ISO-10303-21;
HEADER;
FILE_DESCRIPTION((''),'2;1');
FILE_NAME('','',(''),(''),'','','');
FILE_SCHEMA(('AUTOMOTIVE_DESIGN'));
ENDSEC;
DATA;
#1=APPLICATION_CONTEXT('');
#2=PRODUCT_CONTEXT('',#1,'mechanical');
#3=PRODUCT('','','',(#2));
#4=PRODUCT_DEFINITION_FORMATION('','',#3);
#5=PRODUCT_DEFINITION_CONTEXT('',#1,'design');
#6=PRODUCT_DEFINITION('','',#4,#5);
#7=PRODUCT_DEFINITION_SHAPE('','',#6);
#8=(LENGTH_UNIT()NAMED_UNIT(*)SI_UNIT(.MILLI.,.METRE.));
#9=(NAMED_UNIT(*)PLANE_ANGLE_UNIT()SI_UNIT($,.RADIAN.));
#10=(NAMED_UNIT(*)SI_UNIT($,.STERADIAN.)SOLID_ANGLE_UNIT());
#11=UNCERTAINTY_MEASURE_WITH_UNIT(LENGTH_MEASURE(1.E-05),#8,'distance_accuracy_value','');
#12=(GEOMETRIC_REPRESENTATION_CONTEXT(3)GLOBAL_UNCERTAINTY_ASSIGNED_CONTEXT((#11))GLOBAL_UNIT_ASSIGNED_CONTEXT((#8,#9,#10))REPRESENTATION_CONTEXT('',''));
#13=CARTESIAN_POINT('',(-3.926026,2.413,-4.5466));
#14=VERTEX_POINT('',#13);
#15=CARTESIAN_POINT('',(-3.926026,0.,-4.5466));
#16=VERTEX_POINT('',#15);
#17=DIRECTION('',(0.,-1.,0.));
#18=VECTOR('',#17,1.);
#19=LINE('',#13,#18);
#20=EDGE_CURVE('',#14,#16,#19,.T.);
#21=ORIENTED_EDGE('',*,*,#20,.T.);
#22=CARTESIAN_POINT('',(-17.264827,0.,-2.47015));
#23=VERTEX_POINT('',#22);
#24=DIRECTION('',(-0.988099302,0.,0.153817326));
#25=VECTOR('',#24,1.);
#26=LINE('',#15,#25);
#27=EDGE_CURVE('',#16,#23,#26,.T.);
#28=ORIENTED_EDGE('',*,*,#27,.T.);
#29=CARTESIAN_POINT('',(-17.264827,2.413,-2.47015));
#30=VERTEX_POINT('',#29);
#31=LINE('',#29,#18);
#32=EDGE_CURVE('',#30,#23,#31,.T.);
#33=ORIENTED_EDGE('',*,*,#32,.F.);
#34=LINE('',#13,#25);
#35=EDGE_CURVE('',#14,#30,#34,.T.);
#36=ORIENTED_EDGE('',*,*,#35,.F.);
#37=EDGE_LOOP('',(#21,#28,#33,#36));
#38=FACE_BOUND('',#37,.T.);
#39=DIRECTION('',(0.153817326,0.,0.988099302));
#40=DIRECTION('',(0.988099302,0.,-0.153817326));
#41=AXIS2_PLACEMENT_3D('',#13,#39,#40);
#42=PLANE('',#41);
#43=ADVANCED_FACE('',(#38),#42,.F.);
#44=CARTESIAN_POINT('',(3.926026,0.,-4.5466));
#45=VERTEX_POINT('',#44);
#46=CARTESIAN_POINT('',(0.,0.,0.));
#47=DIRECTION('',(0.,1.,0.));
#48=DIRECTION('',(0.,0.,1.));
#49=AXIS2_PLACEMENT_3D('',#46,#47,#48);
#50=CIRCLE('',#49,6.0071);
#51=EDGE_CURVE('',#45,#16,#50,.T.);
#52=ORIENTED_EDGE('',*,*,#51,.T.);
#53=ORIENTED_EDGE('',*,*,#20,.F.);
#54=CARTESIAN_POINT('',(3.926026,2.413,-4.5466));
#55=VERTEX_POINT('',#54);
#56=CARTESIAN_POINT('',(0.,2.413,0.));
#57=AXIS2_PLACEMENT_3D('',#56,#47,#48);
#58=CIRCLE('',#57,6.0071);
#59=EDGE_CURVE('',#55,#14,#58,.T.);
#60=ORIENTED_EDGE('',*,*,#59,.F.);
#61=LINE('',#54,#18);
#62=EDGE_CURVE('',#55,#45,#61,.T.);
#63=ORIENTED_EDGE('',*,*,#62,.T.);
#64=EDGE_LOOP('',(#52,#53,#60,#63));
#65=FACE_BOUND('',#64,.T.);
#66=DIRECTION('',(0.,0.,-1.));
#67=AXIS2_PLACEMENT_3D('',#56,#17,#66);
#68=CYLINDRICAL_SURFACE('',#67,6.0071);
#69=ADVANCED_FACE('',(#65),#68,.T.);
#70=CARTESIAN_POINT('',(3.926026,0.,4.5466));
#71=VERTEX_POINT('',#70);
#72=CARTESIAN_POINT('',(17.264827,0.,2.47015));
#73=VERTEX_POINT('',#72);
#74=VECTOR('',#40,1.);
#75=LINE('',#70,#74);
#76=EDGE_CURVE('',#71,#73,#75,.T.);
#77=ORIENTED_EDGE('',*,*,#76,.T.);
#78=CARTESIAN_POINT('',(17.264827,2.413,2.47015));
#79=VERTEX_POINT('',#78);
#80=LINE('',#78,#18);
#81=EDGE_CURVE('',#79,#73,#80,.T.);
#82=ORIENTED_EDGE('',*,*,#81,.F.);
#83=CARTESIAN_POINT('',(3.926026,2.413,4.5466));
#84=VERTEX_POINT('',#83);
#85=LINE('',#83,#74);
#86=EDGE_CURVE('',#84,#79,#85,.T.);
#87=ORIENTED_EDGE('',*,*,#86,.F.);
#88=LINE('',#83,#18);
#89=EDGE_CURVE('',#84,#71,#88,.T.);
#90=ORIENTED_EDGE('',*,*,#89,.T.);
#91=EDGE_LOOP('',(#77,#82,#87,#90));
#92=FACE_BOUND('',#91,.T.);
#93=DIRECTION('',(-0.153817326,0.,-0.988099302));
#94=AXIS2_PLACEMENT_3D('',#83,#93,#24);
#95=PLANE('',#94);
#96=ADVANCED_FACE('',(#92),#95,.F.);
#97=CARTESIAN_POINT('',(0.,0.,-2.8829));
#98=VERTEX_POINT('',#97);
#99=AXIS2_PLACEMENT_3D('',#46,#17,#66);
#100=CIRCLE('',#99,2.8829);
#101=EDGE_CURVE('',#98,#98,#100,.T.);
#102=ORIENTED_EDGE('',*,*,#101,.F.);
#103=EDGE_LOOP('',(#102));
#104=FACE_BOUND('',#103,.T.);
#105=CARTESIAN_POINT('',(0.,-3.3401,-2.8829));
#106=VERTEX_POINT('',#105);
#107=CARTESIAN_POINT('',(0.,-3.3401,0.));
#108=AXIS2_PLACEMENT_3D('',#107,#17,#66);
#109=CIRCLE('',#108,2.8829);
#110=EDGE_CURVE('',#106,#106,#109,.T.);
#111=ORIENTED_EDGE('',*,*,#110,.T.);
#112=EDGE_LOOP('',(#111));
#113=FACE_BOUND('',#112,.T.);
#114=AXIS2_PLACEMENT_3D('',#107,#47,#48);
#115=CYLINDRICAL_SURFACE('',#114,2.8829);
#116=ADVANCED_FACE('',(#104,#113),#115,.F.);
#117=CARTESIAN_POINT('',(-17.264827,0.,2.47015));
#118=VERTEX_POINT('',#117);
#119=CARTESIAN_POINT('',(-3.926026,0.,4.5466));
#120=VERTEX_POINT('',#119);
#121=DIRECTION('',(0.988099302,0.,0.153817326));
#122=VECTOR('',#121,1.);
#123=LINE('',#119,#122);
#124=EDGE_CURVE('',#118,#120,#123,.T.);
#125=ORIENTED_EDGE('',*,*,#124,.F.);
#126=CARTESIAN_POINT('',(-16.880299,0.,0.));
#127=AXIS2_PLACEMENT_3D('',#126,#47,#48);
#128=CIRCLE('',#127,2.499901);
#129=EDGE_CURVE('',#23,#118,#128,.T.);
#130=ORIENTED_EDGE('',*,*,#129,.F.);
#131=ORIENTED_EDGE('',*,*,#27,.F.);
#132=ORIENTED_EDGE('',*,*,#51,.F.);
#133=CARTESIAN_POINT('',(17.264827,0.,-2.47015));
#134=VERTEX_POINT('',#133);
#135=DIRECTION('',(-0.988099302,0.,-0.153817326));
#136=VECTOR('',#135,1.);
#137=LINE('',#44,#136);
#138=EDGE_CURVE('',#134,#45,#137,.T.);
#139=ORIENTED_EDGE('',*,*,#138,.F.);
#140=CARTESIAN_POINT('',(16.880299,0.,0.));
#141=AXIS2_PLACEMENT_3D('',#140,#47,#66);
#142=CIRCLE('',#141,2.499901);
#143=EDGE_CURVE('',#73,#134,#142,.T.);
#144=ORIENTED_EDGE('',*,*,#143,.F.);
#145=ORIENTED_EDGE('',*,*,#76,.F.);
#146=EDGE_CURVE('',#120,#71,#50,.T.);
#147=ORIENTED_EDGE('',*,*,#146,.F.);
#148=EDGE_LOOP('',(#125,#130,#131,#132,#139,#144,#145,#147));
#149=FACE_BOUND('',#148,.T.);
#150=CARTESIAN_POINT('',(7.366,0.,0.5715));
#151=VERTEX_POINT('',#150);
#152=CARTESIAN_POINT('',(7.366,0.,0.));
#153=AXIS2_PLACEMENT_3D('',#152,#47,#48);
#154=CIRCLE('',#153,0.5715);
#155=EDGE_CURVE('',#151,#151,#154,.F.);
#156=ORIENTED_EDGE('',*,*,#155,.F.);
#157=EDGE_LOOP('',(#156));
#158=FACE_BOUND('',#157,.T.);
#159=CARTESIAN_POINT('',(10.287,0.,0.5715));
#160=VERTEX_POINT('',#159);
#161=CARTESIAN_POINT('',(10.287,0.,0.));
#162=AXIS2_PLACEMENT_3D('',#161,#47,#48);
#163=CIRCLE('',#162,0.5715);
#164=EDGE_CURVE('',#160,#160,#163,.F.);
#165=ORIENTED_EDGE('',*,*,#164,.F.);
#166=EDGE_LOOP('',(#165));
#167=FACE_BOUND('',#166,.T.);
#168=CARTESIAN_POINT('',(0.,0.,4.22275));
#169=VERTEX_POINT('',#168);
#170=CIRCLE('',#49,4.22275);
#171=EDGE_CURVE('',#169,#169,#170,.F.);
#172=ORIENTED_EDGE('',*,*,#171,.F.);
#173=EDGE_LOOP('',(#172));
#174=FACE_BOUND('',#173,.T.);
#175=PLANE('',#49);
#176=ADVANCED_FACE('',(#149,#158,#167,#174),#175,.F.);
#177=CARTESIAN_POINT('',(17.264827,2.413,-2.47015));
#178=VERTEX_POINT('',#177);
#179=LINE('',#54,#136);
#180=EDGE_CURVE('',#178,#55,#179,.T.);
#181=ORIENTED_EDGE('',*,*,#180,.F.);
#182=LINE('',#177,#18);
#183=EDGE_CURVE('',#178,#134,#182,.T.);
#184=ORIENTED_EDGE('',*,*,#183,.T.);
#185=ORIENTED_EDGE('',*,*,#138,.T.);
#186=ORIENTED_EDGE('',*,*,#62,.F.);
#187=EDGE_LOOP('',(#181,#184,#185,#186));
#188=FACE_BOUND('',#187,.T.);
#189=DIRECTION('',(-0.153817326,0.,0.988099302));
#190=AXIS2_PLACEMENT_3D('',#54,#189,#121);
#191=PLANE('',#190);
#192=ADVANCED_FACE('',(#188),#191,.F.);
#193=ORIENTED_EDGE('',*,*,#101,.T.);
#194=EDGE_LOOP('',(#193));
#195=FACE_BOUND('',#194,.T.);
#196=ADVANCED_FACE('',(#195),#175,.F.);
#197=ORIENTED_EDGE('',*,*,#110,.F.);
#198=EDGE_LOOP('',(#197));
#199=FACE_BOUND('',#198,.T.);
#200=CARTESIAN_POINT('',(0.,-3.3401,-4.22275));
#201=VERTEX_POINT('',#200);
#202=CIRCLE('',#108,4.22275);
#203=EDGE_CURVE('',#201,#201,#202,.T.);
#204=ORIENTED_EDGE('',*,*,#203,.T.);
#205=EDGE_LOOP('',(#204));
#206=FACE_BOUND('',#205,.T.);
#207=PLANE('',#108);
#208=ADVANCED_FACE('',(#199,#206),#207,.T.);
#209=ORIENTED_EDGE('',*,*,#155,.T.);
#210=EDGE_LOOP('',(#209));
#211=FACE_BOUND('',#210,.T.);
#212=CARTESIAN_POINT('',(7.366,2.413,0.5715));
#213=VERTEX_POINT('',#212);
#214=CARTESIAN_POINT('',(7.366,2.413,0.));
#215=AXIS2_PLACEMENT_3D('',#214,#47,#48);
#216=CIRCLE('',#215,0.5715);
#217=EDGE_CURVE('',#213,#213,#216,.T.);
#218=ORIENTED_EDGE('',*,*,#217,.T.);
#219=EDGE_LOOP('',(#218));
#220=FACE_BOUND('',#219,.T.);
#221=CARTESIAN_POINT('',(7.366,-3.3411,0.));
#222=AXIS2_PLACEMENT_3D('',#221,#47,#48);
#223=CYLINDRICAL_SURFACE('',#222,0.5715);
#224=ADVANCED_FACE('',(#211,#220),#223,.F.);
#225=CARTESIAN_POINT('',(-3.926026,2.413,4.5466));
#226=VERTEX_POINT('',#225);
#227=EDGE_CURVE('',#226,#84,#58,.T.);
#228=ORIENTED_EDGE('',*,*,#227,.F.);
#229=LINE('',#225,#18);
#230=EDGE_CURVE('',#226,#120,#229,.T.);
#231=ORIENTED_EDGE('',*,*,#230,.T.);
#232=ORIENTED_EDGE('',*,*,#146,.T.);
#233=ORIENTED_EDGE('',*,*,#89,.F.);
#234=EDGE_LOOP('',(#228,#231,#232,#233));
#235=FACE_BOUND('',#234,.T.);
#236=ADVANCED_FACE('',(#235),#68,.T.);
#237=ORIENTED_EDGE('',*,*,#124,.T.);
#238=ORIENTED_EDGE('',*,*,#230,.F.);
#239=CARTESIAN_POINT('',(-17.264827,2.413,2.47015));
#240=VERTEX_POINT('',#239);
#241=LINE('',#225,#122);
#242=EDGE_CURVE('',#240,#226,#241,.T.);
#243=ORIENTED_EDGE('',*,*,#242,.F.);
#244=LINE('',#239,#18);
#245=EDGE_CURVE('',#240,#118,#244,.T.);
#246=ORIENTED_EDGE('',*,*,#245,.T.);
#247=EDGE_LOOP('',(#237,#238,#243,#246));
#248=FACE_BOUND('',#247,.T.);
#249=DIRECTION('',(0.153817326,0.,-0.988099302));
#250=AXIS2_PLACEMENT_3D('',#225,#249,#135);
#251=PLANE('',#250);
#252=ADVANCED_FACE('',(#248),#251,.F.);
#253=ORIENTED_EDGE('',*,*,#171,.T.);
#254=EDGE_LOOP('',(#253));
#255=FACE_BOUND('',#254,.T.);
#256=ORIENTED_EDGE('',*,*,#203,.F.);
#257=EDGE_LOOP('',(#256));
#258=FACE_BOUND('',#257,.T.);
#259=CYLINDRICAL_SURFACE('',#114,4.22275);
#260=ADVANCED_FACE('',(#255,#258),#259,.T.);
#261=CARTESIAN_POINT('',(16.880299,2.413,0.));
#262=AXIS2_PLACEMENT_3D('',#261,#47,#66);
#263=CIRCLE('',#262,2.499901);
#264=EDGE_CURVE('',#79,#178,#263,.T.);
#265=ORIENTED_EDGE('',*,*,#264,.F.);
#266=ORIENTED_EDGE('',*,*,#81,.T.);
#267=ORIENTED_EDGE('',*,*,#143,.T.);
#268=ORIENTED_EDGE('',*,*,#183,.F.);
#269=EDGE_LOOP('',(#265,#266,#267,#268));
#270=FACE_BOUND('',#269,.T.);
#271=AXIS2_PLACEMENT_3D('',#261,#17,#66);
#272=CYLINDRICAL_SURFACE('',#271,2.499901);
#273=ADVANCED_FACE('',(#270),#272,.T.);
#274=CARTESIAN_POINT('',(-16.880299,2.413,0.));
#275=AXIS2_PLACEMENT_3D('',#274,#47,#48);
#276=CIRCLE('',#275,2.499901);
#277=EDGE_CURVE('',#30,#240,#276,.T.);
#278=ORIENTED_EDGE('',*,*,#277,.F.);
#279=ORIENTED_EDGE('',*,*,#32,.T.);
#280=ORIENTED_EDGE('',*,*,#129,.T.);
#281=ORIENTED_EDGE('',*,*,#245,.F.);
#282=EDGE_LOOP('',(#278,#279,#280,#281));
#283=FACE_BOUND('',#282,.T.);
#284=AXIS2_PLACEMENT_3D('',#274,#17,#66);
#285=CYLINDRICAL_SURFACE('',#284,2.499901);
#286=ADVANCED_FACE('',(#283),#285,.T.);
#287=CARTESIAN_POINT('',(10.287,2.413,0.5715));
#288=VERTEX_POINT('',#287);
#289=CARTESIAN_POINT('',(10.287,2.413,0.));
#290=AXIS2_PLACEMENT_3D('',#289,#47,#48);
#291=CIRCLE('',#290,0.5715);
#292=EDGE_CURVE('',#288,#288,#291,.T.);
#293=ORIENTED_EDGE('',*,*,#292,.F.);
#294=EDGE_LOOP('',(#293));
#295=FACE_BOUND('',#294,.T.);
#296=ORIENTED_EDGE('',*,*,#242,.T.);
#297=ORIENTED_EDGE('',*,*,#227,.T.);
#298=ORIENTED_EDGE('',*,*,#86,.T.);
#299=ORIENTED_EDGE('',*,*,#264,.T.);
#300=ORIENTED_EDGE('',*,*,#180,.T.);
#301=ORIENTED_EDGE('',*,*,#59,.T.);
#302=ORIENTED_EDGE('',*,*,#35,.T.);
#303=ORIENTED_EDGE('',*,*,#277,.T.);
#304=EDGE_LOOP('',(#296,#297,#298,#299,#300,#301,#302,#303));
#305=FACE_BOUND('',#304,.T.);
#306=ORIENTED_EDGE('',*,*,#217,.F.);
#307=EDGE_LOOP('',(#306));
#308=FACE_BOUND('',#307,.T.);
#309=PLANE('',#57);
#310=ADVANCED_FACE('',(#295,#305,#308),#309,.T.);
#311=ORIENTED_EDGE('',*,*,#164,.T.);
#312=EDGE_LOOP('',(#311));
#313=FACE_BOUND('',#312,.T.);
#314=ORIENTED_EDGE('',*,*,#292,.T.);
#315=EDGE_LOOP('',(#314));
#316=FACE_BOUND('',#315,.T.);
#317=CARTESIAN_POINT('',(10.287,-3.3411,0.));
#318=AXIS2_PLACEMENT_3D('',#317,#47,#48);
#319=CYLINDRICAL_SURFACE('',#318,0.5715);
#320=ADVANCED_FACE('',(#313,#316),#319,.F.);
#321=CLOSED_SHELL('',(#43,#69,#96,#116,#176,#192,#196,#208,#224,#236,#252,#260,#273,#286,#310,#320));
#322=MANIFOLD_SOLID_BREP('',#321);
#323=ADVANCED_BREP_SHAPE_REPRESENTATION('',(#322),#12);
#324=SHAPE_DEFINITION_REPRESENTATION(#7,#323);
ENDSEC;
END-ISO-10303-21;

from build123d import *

# Parameters (mm, degrees)
BOSS_EXTRUDE1_DEPTH = 2.413
SKETCH2_R           = 4.22275
SKETCH2_R_2         = 2.8829
BOSS_EXTRUDE2_DEPTH = 3.3401
CUT_EXTRUDE1_REACH  = 7.753
SKETCH3_R           = 0.5715


with BuildPart() as part:
    # Sketch1 → Boss-Extrude1 (new body)
    with BuildSketch(Plane(origin=(0, 0, 0), x_dir=(1, 0, 0), z_dir=(0, 1, 0))):
        with BuildLine():
            Line((3.926025834, 4.5466), (17.264827457, 2.47015))
            ThreePointArc((17.264827457, 2.47015), (19.3802, 0), (17.264827457, -2.47015))
            Line((17.264827457, -2.47015), (3.926025834, -4.5466))
            ThreePointArc((3.926025834, -4.5466), (0, -6.0071), (-3.926025834, -4.5466))
            Line((-3.926025834, -4.5466), (-17.264827457, -2.47015))
            ThreePointArc((-17.264827457, -2.47015), (-19.3802, 0), (-17.264827457, 2.47015))
            Line((-17.264827457, 2.47015), (-3.926025834, 4.5466))
            ThreePointArc((-3.926025834, 4.5466), (0, 6.0071), (3.926025834, 4.5466))
        make_face()
    extrude(amount=BOSS_EXTRUDE1_DEPTH)

    # Sketch2 → Boss-Extrude2 (add)
    with BuildSketch(Plane.XZ):
        Circle(SKETCH2_R)
        Circle(SKETCH2_R_2, mode=Mode.SUBTRACT)
    extrude(amount=BOSS_EXTRUDE2_DEPTH)

    # Sketch3 → Cut-Extrude1 (cut, up to next)
    with BuildSketch(Plane(origin=(0, 2.413, 0), x_dir=(1, 0, 0), z_dir=(0, 1, 0)), mode=Mode.PRIVATE) as cut_extrude1_sk1:
        with Locations((7.366, 0)):
            Circle(SKETCH3_R)
    cut_extrude1_tool1 = extrude(cut_extrude1_sk1.sketch, amount=-CUT_EXTRUDE1_REACH, mode=Mode.PRIVATE) & part.part
    add(cut_extrude1_tool1.solids().sort_by_distance((7.366, 2.413, 0))[0], mode=Mode.SUBTRACT)
    # Sketch3 → Cut-Extrude1 (cut, up to next)
    with BuildSketch(Plane(origin=(0, 2.413, 0), x_dir=(1, 0, 0), z_dir=(0, 1, 0)), mode=Mode.PRIVATE) as cut_extrude1_sk2:
        with Locations((10.287, 0)):
            Circle(SKETCH3_R)
    cut_extrude1_tool2 = extrude(cut_extrude1_sk2.sketch, amount=-CUT_EXTRUDE1_REACH, mode=Mode.PRIVATE) & part.part
    add(cut_extrude1_tool2.solids().sort_by_distance((10.287, 2.413, 0))[0], mode=Mode.SUBTRACT)


solid = part.part
